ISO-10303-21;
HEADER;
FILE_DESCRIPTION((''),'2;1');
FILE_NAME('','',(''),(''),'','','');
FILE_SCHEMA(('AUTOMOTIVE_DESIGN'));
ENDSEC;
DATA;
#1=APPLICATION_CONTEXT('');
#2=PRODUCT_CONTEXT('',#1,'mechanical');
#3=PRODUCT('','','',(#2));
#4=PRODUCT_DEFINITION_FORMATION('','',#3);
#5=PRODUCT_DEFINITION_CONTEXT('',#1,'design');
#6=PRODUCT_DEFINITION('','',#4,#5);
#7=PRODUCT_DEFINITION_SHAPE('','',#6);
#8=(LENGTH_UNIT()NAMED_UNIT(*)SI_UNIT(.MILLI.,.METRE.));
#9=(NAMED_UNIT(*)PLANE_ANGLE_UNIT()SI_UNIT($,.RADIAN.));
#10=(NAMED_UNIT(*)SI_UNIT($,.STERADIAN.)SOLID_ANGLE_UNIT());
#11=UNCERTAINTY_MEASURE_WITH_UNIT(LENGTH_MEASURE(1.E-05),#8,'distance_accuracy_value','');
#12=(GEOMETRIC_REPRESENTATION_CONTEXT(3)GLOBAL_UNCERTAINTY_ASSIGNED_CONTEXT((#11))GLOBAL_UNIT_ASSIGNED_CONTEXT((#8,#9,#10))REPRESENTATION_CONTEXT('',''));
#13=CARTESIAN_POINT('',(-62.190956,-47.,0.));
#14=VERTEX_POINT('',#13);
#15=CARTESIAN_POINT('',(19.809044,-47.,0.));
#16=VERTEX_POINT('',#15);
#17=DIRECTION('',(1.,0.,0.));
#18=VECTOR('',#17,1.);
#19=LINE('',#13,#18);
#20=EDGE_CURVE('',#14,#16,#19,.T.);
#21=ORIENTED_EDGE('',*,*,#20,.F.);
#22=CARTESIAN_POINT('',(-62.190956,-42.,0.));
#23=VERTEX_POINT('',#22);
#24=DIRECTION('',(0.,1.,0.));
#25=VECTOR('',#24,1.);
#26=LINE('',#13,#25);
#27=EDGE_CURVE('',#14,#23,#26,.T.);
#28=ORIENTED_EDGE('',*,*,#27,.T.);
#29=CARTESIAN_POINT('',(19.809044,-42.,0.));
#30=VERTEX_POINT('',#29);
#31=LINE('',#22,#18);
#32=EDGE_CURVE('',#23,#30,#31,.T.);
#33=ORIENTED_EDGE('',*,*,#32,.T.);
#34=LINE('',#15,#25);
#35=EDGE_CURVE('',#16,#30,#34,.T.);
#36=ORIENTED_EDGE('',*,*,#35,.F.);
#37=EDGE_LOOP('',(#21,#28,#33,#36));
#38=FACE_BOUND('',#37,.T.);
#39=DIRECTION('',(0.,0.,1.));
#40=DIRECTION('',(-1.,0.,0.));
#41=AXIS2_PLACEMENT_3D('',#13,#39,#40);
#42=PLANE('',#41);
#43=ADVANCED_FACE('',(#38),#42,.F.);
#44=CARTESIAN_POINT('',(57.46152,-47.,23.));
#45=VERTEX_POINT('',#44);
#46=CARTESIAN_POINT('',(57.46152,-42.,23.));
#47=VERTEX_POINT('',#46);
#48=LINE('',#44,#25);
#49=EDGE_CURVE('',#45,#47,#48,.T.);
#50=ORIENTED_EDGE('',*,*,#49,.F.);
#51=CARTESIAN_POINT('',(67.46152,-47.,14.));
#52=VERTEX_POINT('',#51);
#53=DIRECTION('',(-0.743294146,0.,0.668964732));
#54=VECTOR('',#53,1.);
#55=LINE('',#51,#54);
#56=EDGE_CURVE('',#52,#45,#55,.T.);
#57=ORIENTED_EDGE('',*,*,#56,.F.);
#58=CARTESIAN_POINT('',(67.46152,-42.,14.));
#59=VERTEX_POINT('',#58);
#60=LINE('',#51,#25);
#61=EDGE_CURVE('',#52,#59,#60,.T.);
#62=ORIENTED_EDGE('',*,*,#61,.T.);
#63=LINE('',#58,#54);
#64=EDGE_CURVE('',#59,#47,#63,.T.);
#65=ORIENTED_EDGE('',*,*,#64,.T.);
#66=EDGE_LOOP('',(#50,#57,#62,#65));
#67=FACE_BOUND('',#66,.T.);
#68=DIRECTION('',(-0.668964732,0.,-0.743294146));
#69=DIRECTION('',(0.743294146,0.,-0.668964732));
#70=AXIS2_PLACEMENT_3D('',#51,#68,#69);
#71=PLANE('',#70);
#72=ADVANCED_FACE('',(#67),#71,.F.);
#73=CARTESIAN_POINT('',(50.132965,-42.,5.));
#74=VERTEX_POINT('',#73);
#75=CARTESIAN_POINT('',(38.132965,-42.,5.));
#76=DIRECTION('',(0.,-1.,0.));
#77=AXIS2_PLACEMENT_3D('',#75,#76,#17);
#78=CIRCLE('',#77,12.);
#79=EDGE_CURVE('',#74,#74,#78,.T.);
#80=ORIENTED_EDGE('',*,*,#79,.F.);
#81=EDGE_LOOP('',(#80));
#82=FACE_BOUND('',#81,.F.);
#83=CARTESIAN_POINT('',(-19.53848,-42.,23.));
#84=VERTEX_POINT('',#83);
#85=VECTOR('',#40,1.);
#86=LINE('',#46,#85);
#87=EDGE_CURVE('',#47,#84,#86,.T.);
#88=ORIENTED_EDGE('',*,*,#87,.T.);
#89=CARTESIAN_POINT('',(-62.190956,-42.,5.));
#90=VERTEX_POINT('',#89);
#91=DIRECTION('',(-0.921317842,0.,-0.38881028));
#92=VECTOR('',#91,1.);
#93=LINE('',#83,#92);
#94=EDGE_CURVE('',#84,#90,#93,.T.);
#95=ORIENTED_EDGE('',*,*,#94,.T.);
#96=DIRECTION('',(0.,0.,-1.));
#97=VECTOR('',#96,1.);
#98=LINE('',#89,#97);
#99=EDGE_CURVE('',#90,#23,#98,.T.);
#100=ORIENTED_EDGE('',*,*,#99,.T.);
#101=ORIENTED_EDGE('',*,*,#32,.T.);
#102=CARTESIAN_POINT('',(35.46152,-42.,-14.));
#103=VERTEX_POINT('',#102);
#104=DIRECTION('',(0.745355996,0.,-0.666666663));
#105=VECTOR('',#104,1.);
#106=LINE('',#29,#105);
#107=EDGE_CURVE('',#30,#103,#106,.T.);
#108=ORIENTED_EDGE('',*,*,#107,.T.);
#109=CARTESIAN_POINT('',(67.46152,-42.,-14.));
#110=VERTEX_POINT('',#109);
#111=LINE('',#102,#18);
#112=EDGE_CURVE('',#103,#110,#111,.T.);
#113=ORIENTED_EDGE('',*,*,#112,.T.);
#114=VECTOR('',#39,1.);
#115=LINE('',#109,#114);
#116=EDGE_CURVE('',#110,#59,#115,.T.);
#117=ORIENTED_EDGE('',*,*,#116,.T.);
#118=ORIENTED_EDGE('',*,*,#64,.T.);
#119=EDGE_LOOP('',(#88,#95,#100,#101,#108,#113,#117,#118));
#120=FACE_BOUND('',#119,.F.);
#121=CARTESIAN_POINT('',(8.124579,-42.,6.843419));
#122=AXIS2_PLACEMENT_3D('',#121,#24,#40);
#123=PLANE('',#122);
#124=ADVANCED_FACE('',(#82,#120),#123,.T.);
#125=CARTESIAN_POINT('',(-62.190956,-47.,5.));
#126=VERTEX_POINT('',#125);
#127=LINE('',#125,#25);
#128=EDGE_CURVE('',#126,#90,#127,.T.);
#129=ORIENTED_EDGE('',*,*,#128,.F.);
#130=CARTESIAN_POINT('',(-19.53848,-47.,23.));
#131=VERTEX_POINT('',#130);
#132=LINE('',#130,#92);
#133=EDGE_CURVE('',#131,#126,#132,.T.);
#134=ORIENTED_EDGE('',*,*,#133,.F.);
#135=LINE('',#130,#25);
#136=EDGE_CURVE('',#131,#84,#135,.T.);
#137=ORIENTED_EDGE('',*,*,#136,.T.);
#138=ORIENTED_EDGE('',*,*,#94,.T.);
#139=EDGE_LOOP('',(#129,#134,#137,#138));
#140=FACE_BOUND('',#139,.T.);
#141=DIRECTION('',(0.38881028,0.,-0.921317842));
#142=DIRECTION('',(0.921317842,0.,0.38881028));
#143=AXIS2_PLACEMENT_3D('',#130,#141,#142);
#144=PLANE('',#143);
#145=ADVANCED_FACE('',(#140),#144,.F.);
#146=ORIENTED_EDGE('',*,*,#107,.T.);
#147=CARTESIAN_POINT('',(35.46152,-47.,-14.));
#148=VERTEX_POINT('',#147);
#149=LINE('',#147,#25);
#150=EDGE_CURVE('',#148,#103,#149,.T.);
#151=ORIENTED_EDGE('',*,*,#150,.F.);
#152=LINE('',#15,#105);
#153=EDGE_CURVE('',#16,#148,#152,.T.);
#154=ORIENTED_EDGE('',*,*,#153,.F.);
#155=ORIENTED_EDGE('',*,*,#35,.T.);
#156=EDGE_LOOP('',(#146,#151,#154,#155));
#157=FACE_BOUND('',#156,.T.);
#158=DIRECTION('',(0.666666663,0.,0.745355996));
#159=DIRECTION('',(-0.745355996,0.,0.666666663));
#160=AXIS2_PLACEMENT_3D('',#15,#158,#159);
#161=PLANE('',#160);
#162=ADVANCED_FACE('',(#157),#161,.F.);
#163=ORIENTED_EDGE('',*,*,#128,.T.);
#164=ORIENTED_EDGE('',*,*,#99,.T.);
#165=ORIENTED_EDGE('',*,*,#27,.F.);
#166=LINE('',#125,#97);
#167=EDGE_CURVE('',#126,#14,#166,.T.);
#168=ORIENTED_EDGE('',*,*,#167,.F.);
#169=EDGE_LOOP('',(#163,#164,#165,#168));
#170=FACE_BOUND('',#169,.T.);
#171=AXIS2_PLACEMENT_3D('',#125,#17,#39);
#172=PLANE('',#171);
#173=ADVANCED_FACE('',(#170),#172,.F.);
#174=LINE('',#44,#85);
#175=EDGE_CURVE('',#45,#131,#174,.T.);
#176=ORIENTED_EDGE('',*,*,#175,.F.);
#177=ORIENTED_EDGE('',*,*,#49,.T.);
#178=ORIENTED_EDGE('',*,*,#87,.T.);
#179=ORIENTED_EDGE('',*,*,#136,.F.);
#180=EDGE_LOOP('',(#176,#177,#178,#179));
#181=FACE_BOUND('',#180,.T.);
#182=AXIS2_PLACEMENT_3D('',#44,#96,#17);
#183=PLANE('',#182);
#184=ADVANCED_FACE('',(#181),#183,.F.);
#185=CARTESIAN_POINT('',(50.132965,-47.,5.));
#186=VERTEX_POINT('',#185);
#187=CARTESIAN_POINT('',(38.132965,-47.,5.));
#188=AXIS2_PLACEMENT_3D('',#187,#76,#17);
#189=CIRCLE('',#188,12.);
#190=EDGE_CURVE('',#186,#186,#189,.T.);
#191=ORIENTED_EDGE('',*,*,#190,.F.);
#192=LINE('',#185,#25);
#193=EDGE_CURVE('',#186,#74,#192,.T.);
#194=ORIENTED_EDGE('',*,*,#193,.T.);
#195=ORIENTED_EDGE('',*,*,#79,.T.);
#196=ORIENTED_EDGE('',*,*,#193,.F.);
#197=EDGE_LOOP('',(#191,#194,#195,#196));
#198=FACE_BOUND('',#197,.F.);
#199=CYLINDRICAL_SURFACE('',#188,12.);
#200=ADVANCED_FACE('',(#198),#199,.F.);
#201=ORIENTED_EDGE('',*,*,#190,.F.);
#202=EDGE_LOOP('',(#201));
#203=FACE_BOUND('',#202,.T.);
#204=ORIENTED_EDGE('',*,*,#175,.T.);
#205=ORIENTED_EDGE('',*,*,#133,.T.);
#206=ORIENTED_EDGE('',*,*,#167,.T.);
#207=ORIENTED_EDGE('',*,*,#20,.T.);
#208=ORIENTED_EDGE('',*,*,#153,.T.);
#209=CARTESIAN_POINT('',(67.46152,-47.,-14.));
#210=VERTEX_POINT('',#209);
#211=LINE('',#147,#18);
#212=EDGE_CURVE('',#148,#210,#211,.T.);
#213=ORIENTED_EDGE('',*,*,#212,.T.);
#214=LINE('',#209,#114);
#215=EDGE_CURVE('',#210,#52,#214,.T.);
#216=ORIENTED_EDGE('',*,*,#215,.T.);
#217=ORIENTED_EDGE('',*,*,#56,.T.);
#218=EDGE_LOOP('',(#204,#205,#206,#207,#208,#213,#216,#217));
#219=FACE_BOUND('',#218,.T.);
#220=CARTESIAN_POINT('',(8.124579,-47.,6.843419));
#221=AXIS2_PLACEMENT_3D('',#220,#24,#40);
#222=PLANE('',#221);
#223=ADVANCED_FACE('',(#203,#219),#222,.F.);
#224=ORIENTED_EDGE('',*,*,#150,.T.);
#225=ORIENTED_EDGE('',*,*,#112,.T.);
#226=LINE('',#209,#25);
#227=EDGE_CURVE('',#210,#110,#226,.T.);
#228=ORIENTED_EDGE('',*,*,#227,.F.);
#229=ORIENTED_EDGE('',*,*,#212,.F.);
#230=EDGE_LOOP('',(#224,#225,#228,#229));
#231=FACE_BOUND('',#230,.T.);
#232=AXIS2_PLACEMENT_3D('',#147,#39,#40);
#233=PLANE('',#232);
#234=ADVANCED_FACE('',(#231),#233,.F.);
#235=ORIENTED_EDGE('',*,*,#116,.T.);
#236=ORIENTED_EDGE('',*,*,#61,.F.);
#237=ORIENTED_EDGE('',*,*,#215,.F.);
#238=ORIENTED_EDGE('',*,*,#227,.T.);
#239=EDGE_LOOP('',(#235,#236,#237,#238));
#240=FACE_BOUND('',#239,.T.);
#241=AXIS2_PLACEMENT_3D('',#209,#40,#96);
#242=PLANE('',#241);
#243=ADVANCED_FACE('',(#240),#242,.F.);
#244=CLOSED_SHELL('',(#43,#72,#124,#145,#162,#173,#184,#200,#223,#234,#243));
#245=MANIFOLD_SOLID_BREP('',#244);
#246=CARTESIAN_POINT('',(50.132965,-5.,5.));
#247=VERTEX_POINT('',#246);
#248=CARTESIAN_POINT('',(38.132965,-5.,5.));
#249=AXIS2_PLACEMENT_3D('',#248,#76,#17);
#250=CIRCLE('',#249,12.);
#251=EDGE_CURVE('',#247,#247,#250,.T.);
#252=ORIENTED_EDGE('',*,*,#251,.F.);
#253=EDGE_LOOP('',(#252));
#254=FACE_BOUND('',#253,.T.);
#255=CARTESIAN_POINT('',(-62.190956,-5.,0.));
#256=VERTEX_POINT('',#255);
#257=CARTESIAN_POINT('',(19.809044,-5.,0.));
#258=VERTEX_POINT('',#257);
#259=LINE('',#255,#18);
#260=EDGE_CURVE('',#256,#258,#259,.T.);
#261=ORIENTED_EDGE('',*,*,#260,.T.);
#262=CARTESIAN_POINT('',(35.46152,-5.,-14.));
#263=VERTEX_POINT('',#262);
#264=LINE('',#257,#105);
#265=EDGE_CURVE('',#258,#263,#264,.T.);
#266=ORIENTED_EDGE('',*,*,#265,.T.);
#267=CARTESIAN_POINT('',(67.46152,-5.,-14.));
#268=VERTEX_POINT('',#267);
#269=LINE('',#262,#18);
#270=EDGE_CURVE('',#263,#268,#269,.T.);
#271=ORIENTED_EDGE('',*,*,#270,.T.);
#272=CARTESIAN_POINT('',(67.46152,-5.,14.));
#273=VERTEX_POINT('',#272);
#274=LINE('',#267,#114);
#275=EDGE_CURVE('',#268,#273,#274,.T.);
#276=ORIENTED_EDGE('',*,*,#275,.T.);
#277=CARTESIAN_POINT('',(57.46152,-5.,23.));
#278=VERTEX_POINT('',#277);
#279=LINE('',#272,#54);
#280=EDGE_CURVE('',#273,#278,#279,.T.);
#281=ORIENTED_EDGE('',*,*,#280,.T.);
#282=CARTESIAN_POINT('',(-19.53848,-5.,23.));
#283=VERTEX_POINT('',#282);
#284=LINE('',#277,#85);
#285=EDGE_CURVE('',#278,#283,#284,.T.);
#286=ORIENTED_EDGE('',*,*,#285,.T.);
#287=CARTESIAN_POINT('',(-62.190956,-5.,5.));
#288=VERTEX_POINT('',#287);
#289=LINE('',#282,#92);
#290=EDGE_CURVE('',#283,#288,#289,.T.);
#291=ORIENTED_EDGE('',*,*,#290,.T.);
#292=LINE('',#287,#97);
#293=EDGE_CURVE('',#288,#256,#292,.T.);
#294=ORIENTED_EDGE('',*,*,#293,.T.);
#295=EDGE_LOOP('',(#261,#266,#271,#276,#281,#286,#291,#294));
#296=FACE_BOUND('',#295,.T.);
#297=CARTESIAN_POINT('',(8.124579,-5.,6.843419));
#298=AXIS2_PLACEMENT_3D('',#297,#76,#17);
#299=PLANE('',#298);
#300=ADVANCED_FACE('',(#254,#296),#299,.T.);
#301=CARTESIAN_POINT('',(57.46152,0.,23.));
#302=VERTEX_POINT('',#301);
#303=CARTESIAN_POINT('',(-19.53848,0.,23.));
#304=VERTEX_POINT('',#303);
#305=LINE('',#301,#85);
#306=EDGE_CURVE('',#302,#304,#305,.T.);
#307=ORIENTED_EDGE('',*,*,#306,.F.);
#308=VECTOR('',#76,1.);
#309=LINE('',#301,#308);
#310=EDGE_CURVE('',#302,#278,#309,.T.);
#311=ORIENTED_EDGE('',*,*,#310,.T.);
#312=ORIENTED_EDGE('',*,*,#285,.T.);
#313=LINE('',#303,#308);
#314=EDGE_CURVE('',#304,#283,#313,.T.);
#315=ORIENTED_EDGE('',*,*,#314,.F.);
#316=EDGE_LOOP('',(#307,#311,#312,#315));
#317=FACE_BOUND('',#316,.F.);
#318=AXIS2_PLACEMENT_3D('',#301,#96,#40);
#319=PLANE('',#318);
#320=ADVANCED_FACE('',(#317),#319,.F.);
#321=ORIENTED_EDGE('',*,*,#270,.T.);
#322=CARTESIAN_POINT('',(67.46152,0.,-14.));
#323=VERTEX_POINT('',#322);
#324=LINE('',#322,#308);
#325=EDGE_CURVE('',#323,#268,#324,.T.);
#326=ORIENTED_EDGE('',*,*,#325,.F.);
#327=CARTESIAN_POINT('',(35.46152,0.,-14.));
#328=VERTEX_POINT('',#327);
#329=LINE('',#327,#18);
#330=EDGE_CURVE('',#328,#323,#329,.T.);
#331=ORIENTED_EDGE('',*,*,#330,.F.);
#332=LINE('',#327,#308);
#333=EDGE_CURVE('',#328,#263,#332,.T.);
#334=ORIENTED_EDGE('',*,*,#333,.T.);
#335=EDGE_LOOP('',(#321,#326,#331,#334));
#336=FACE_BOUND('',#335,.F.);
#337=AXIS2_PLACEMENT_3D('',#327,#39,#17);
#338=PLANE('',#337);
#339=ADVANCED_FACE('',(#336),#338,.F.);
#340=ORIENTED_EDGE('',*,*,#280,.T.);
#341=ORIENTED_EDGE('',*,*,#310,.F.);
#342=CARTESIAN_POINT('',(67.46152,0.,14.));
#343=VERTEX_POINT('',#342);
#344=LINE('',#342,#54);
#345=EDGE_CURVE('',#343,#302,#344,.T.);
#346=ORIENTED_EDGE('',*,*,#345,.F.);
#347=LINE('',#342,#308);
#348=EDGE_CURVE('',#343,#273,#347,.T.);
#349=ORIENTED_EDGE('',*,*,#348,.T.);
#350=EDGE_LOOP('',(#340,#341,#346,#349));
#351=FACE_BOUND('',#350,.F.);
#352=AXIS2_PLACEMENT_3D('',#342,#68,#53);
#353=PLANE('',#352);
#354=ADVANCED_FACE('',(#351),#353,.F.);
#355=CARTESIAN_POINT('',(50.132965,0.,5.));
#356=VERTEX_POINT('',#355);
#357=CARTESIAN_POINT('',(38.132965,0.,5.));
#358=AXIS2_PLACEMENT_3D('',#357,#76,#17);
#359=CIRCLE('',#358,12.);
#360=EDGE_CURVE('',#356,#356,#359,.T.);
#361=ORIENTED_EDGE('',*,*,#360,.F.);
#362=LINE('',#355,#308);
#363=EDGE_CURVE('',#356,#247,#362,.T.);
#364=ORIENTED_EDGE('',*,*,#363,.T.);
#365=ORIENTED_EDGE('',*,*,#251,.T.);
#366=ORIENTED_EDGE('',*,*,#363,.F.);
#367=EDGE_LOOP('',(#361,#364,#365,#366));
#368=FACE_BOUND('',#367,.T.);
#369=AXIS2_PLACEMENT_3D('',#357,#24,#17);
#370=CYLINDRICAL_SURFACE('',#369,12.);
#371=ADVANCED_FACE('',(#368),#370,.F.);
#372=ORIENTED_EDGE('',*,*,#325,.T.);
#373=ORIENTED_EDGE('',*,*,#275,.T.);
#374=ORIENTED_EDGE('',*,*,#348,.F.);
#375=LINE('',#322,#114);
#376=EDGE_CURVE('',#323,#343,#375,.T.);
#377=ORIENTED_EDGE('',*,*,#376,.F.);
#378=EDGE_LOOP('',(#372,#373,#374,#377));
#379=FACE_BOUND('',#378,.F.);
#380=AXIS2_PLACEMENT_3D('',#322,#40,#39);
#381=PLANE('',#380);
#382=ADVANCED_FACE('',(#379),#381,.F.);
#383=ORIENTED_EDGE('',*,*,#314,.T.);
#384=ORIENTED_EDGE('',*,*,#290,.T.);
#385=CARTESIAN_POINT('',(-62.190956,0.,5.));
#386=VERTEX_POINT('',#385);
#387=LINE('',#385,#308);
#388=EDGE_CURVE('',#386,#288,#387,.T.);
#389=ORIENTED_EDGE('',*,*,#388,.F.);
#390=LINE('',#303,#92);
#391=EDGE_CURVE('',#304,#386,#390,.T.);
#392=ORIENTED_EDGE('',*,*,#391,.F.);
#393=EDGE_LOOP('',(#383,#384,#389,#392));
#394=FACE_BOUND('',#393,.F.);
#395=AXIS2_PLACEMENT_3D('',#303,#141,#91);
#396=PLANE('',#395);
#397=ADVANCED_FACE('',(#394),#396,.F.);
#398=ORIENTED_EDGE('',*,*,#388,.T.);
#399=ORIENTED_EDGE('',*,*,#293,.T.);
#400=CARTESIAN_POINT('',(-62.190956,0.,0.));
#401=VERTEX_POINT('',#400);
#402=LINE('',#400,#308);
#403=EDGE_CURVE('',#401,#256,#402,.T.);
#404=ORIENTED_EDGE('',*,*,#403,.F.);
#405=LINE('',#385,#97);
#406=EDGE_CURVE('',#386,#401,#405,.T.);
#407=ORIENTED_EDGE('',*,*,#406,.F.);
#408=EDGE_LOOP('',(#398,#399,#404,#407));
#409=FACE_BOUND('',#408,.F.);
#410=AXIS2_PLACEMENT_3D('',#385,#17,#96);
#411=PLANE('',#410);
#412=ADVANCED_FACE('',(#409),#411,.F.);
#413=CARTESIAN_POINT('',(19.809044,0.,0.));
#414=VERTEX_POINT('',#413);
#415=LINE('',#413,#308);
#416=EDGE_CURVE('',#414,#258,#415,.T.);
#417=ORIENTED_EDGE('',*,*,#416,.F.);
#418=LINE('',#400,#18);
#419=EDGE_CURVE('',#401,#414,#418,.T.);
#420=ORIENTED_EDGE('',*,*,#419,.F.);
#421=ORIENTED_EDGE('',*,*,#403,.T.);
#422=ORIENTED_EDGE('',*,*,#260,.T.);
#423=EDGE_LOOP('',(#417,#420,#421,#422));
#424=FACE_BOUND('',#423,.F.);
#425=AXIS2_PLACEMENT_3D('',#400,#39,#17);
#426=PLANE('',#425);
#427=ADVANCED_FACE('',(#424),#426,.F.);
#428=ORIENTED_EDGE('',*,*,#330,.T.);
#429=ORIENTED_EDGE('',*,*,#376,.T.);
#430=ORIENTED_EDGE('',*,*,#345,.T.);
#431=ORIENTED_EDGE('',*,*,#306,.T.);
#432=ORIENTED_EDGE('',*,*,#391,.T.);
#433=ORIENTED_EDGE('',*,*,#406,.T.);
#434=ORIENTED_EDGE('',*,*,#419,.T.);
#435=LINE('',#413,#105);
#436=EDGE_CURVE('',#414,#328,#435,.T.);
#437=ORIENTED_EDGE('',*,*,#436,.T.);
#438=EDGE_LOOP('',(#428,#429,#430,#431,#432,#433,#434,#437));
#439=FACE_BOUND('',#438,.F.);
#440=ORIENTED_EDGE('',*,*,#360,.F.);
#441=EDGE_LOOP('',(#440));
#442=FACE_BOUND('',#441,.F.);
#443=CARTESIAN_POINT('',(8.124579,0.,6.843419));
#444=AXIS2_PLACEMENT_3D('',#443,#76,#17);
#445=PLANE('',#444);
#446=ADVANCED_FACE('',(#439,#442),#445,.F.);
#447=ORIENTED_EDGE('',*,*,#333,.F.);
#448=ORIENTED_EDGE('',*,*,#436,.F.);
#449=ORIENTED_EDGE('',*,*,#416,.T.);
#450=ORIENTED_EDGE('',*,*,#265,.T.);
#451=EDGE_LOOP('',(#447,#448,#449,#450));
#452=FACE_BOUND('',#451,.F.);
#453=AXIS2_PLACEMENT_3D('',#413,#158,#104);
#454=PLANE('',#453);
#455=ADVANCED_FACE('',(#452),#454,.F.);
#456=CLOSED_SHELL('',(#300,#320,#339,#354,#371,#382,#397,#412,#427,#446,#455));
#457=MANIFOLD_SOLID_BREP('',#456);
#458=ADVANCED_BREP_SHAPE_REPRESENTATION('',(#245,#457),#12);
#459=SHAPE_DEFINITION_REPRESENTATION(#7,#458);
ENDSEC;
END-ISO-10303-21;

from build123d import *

# Parameters (mm, degrees)
F0_R     = 12
F1_DEPTH = 5


with BuildPart() as f1:
    # F0 (on Front) → F1 (new body)
    with BuildSketch(Plane.XZ):
        Polygon((67.46152, -14), (67.46152, 14), (57.46152, 23), (-19.53848, 23), (-62.190956, 5), (-62.190956, 0), (19.809044, 0), (35.46152, -14), align=None)
        with Locations((38.132965, 5)):
            Circle(F0_R, mode=Mode.SUBTRACT)
    extrude(amount=F1_DEPTH)


with BuildPart() as f3_1:
    # F3: instance of F1
    add(f1.part.mirror(Plane.XZ.offset(23.5)))


solid = Compound([f1.part, f3_1.part])
